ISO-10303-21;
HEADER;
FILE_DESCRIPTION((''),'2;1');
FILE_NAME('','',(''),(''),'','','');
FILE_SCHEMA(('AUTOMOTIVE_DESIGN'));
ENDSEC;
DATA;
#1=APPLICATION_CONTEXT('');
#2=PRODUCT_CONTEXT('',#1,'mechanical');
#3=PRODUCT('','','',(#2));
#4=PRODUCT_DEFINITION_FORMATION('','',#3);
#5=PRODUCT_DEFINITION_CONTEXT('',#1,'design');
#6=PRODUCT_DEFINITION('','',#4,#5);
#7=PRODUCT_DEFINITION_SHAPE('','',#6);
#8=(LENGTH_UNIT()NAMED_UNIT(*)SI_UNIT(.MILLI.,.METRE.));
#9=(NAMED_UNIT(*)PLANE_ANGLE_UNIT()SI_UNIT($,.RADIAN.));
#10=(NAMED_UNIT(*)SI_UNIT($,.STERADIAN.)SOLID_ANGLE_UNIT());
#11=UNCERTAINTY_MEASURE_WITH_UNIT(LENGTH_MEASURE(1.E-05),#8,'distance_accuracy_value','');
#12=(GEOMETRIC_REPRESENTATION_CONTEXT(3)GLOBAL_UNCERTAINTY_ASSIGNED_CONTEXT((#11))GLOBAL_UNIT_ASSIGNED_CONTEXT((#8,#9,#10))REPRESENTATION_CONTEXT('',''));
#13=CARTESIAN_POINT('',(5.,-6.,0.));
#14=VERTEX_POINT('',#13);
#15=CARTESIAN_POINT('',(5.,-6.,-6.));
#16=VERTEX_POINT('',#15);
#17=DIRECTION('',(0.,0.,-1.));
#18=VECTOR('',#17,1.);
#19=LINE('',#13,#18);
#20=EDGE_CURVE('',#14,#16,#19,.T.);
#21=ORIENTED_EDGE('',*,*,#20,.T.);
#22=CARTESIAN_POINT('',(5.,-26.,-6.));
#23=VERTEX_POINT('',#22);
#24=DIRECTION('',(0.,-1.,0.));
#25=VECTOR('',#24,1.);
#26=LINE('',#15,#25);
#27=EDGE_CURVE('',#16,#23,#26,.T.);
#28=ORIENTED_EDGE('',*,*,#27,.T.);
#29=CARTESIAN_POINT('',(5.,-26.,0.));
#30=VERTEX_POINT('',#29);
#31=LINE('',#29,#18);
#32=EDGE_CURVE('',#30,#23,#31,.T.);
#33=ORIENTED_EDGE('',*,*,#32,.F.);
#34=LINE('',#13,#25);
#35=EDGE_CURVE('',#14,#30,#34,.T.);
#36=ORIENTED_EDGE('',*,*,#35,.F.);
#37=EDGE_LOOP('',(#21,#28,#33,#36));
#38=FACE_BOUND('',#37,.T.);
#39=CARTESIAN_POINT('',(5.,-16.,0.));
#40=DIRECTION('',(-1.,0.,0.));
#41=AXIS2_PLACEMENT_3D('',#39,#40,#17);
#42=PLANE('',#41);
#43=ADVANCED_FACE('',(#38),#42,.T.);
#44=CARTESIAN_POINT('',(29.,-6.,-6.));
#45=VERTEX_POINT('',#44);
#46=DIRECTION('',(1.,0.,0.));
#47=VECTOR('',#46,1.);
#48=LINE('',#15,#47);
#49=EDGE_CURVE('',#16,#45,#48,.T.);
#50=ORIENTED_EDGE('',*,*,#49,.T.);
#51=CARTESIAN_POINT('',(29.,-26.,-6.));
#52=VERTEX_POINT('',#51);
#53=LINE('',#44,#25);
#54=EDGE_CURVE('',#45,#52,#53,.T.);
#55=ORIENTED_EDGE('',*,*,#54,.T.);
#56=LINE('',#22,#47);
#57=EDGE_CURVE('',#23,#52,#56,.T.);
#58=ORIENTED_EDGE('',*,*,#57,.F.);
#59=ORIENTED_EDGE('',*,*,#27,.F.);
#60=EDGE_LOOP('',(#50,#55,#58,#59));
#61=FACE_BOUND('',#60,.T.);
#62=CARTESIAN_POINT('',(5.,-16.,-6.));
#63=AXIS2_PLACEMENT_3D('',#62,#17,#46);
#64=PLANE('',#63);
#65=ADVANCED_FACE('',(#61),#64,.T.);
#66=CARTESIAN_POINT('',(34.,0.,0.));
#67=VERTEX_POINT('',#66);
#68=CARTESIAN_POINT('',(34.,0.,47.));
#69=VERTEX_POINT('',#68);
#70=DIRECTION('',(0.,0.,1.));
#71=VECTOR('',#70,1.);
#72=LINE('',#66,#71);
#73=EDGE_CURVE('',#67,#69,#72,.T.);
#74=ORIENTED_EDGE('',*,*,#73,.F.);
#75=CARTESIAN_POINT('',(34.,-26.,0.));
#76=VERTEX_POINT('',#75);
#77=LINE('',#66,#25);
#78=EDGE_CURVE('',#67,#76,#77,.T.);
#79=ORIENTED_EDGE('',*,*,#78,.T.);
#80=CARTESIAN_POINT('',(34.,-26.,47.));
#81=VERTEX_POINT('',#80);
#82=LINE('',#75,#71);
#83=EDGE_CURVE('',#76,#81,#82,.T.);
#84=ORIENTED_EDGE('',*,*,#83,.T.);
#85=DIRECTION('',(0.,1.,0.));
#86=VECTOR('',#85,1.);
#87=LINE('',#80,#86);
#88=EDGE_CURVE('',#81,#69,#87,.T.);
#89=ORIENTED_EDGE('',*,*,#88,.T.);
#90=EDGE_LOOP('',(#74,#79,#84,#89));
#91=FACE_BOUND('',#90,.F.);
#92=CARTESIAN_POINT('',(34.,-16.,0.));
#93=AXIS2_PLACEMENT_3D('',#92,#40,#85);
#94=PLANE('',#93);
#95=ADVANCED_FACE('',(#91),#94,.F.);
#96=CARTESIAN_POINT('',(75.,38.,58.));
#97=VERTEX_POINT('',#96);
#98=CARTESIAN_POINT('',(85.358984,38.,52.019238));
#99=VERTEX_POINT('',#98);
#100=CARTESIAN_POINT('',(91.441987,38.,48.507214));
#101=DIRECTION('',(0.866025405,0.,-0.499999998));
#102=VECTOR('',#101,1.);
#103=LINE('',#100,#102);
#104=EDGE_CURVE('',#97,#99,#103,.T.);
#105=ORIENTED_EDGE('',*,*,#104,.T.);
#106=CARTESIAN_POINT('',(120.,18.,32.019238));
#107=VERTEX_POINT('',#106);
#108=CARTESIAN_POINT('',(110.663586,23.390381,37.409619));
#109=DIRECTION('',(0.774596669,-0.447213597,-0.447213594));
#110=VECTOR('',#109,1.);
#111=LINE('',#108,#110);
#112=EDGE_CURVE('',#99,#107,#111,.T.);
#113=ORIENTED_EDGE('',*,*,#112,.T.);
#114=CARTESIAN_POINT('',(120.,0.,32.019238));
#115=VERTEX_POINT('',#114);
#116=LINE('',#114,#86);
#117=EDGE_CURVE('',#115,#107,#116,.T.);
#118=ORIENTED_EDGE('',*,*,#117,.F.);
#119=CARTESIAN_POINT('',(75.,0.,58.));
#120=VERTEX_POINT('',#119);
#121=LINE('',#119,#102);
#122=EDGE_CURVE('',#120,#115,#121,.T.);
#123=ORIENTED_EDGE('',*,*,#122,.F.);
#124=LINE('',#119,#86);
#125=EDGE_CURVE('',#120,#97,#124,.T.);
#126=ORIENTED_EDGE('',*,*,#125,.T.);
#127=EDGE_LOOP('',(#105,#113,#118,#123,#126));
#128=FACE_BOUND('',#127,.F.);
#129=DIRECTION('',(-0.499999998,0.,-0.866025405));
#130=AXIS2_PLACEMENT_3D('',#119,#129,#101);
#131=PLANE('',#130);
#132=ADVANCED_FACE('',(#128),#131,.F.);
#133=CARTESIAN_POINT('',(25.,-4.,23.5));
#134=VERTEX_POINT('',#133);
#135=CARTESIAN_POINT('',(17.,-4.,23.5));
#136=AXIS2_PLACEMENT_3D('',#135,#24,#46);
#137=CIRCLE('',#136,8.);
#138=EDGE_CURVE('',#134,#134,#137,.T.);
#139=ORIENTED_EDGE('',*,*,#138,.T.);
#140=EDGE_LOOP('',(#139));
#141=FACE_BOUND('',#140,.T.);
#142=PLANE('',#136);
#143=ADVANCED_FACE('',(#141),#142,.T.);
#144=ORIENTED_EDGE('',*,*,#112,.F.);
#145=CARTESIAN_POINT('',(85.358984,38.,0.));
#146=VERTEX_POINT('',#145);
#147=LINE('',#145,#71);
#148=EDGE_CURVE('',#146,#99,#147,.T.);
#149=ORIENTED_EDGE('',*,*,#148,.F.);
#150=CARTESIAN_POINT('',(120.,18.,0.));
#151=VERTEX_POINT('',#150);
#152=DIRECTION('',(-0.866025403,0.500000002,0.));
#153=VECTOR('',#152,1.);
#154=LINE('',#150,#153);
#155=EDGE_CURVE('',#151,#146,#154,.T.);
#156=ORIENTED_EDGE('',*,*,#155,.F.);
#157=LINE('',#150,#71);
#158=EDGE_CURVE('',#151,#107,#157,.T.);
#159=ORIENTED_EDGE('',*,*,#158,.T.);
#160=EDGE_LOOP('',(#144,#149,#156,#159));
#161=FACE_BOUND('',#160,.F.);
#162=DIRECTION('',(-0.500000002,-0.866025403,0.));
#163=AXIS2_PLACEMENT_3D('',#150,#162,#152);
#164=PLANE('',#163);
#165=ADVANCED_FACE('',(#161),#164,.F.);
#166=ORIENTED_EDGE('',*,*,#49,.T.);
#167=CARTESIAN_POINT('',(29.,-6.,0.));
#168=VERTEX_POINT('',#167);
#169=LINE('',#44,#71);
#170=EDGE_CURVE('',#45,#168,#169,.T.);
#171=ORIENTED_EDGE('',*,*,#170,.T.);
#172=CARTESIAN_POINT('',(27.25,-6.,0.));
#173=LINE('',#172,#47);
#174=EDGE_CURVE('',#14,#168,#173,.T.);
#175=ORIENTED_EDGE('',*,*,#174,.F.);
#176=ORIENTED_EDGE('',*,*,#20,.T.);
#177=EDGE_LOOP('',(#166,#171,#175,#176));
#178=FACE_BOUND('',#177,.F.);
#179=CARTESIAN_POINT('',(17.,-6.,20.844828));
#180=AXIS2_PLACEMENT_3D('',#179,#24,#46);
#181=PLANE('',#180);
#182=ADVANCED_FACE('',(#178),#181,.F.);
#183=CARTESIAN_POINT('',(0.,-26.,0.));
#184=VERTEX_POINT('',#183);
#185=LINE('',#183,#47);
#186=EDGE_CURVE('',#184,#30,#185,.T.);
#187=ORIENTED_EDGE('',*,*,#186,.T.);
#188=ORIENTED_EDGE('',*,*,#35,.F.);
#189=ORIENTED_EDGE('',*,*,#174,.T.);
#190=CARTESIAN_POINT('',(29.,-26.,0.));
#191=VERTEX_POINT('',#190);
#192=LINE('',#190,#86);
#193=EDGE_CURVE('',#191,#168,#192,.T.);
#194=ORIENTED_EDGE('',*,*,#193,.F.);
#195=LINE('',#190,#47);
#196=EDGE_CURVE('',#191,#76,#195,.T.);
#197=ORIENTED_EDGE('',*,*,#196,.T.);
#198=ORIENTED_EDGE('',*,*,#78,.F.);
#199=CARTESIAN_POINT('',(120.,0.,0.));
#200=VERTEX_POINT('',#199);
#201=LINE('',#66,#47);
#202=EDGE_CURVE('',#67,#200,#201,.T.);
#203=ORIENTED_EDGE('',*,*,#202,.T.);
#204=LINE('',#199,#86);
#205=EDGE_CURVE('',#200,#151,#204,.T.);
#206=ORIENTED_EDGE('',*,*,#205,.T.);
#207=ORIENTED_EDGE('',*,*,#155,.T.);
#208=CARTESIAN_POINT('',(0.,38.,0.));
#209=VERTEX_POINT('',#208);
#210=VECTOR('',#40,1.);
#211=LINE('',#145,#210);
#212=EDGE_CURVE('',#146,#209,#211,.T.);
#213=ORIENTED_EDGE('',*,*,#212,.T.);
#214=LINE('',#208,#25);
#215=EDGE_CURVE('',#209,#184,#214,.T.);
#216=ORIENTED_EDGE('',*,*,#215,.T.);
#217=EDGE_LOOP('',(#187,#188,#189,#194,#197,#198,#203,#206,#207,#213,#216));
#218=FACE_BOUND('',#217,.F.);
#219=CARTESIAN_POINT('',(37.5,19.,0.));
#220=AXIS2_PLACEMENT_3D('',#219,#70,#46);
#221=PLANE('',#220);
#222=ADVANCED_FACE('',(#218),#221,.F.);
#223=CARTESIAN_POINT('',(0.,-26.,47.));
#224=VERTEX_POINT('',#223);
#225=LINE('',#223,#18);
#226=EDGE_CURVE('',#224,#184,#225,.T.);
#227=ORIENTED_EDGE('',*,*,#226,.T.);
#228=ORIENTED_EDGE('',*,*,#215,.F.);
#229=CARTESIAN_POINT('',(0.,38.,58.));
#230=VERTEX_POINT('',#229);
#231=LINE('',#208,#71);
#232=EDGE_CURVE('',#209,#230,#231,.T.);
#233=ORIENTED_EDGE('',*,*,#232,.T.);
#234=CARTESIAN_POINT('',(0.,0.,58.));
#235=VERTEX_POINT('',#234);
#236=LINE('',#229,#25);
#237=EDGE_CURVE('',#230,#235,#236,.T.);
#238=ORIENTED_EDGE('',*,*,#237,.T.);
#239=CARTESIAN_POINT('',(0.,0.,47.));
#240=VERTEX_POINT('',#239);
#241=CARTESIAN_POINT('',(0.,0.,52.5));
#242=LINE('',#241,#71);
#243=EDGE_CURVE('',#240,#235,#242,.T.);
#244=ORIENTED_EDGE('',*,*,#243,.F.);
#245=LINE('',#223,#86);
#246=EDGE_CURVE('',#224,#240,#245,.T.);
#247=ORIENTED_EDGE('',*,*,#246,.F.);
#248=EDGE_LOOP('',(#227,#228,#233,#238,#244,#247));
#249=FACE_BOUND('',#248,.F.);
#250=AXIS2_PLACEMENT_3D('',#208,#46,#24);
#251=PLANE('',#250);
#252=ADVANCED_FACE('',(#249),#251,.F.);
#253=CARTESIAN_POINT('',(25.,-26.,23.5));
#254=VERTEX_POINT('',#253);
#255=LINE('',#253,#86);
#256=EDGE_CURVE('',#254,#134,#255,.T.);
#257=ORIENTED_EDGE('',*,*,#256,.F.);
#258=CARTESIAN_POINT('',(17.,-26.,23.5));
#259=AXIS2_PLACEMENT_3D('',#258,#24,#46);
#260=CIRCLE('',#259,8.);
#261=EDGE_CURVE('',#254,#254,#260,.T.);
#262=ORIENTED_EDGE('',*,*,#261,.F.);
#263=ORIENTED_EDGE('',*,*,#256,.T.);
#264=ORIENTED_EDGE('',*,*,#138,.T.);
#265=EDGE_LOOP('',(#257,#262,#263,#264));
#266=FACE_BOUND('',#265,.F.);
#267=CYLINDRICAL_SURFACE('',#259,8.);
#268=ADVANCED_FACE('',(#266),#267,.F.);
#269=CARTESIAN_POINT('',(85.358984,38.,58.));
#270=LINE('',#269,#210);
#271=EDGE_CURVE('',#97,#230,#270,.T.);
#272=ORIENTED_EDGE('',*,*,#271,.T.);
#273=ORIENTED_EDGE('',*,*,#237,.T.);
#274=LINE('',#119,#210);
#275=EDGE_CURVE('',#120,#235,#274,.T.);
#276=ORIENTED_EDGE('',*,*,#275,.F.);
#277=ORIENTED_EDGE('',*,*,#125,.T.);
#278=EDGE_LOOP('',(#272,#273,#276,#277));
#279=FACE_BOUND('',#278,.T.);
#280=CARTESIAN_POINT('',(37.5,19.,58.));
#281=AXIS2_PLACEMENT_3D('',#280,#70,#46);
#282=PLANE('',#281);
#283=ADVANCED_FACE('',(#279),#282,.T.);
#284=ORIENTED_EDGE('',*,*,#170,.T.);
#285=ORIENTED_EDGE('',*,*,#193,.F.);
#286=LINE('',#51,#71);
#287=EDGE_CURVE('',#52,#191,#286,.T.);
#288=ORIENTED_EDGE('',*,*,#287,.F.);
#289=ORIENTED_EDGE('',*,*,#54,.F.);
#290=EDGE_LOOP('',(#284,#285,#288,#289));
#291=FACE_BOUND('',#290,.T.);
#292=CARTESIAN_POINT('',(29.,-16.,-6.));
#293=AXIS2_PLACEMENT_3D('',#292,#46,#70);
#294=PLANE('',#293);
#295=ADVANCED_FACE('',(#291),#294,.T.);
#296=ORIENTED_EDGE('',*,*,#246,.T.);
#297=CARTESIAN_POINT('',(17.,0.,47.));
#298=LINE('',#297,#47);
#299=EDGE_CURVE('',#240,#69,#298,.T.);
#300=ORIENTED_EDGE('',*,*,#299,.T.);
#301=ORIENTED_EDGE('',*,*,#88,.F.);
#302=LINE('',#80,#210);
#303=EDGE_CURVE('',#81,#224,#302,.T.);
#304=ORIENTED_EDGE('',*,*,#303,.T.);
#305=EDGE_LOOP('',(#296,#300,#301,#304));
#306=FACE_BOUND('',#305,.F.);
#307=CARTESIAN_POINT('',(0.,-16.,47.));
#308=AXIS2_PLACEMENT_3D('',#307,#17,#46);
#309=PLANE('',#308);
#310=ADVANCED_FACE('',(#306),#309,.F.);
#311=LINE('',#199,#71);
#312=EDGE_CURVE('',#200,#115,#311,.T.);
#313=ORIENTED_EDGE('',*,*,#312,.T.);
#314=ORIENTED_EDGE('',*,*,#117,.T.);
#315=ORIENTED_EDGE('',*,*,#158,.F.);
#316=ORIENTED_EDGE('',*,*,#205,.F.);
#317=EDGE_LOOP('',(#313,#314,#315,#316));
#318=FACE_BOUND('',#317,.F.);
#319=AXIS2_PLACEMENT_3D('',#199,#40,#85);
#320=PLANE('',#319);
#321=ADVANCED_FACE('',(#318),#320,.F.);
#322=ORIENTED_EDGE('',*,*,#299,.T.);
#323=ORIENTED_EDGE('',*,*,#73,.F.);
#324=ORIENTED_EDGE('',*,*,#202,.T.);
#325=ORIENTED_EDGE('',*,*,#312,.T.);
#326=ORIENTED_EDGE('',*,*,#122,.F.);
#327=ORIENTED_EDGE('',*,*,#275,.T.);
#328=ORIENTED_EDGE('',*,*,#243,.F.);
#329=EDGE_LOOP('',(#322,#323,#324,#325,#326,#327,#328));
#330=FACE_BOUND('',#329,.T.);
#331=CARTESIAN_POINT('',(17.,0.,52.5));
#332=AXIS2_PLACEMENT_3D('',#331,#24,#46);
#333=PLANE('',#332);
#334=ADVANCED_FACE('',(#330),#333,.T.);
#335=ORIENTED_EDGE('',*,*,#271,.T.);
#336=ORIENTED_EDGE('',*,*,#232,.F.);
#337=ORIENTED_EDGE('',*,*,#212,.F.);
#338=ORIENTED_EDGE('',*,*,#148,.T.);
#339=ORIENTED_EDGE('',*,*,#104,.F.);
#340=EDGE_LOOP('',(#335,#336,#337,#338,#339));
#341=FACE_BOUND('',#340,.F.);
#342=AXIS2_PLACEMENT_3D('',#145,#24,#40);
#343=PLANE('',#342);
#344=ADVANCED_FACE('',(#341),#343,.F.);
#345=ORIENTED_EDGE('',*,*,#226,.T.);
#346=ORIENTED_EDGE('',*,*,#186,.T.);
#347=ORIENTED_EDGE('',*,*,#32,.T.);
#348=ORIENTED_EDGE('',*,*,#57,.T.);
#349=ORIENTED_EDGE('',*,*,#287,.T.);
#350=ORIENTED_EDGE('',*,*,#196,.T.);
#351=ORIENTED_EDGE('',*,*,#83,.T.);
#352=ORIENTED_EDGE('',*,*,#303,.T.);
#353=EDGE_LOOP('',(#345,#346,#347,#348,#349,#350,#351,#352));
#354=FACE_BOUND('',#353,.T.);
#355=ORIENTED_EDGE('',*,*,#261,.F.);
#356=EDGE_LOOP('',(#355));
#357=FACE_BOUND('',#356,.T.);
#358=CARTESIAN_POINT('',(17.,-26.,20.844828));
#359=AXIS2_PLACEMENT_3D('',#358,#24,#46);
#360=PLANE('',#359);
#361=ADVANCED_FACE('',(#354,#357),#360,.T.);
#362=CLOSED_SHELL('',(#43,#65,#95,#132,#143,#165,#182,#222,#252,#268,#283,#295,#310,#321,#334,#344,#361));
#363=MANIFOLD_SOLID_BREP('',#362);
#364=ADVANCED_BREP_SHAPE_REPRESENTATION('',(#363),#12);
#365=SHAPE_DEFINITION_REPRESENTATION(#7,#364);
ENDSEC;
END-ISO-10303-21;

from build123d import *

# Parameters (mm, degrees)
F0_W     = 34
F0_H     = 16
F1_DEPTH = 58
F3_DEPTH = 38.001
F4_W     = 34
F4_H     = 11
F5_DEPTH = 16
F7_DEPTH = 10
F8_R     = 8
F9_DEPTH = 22


with BuildPart() as f1:
    # F0 (on Top) → F1 (new body)
    with BuildSketch(Plane.XY):
        Polygon((0, 38), (0, 0), (34, 0), (75, 0), (75, 38), align=None)
        with Locations((17, -8)):
            Rectangle(F0_W, F0_H)
        Polygon((85.358984, 38), (75, 38), (75, 0), (120, 0), (120, 18), align=None)
    extrude(amount=F1_DEPTH)

    # F2 (on face) → F3 (cut, through all)
    with BuildSketch(Plane.XZ):
        Polygon((75, 58), (120, 32.019238), (120, 58), align=None)
    extrude(amount=-F3_DEPTH, mode=Mode.SUBTRACT)

    # F4 (on face) → F5 (cut, symmetric)
    with BuildSketch(Plane.XZ.offset(16)):
        with Locations((17, 52.5)):
            Rectangle(F4_W, F4_H)
    extrude(amount=F5_DEPTH, both=True, mode=Mode.SUBTRACT)

    # F6 (on face) → F7 (join, symmetric)
    with BuildSketch(Plane.XZ.offset(16)):
        Polygon((34, 47), (0, 47), (0, 0), (5, 0), (5, -6), (29, -6), (29, 0), (34, 0), align=None)
    extrude(amount=F7_DEPTH, both=True)

    # F8 (on face) → F9 (cut)
    with BuildSketch(Plane.XZ.offset(26)):
        with Locations((17, 23.5)):
            Circle(F8_R)
    extrude(amount=-F9_DEPTH, mode=Mode.SUBTRACT)


solid = f1.part
